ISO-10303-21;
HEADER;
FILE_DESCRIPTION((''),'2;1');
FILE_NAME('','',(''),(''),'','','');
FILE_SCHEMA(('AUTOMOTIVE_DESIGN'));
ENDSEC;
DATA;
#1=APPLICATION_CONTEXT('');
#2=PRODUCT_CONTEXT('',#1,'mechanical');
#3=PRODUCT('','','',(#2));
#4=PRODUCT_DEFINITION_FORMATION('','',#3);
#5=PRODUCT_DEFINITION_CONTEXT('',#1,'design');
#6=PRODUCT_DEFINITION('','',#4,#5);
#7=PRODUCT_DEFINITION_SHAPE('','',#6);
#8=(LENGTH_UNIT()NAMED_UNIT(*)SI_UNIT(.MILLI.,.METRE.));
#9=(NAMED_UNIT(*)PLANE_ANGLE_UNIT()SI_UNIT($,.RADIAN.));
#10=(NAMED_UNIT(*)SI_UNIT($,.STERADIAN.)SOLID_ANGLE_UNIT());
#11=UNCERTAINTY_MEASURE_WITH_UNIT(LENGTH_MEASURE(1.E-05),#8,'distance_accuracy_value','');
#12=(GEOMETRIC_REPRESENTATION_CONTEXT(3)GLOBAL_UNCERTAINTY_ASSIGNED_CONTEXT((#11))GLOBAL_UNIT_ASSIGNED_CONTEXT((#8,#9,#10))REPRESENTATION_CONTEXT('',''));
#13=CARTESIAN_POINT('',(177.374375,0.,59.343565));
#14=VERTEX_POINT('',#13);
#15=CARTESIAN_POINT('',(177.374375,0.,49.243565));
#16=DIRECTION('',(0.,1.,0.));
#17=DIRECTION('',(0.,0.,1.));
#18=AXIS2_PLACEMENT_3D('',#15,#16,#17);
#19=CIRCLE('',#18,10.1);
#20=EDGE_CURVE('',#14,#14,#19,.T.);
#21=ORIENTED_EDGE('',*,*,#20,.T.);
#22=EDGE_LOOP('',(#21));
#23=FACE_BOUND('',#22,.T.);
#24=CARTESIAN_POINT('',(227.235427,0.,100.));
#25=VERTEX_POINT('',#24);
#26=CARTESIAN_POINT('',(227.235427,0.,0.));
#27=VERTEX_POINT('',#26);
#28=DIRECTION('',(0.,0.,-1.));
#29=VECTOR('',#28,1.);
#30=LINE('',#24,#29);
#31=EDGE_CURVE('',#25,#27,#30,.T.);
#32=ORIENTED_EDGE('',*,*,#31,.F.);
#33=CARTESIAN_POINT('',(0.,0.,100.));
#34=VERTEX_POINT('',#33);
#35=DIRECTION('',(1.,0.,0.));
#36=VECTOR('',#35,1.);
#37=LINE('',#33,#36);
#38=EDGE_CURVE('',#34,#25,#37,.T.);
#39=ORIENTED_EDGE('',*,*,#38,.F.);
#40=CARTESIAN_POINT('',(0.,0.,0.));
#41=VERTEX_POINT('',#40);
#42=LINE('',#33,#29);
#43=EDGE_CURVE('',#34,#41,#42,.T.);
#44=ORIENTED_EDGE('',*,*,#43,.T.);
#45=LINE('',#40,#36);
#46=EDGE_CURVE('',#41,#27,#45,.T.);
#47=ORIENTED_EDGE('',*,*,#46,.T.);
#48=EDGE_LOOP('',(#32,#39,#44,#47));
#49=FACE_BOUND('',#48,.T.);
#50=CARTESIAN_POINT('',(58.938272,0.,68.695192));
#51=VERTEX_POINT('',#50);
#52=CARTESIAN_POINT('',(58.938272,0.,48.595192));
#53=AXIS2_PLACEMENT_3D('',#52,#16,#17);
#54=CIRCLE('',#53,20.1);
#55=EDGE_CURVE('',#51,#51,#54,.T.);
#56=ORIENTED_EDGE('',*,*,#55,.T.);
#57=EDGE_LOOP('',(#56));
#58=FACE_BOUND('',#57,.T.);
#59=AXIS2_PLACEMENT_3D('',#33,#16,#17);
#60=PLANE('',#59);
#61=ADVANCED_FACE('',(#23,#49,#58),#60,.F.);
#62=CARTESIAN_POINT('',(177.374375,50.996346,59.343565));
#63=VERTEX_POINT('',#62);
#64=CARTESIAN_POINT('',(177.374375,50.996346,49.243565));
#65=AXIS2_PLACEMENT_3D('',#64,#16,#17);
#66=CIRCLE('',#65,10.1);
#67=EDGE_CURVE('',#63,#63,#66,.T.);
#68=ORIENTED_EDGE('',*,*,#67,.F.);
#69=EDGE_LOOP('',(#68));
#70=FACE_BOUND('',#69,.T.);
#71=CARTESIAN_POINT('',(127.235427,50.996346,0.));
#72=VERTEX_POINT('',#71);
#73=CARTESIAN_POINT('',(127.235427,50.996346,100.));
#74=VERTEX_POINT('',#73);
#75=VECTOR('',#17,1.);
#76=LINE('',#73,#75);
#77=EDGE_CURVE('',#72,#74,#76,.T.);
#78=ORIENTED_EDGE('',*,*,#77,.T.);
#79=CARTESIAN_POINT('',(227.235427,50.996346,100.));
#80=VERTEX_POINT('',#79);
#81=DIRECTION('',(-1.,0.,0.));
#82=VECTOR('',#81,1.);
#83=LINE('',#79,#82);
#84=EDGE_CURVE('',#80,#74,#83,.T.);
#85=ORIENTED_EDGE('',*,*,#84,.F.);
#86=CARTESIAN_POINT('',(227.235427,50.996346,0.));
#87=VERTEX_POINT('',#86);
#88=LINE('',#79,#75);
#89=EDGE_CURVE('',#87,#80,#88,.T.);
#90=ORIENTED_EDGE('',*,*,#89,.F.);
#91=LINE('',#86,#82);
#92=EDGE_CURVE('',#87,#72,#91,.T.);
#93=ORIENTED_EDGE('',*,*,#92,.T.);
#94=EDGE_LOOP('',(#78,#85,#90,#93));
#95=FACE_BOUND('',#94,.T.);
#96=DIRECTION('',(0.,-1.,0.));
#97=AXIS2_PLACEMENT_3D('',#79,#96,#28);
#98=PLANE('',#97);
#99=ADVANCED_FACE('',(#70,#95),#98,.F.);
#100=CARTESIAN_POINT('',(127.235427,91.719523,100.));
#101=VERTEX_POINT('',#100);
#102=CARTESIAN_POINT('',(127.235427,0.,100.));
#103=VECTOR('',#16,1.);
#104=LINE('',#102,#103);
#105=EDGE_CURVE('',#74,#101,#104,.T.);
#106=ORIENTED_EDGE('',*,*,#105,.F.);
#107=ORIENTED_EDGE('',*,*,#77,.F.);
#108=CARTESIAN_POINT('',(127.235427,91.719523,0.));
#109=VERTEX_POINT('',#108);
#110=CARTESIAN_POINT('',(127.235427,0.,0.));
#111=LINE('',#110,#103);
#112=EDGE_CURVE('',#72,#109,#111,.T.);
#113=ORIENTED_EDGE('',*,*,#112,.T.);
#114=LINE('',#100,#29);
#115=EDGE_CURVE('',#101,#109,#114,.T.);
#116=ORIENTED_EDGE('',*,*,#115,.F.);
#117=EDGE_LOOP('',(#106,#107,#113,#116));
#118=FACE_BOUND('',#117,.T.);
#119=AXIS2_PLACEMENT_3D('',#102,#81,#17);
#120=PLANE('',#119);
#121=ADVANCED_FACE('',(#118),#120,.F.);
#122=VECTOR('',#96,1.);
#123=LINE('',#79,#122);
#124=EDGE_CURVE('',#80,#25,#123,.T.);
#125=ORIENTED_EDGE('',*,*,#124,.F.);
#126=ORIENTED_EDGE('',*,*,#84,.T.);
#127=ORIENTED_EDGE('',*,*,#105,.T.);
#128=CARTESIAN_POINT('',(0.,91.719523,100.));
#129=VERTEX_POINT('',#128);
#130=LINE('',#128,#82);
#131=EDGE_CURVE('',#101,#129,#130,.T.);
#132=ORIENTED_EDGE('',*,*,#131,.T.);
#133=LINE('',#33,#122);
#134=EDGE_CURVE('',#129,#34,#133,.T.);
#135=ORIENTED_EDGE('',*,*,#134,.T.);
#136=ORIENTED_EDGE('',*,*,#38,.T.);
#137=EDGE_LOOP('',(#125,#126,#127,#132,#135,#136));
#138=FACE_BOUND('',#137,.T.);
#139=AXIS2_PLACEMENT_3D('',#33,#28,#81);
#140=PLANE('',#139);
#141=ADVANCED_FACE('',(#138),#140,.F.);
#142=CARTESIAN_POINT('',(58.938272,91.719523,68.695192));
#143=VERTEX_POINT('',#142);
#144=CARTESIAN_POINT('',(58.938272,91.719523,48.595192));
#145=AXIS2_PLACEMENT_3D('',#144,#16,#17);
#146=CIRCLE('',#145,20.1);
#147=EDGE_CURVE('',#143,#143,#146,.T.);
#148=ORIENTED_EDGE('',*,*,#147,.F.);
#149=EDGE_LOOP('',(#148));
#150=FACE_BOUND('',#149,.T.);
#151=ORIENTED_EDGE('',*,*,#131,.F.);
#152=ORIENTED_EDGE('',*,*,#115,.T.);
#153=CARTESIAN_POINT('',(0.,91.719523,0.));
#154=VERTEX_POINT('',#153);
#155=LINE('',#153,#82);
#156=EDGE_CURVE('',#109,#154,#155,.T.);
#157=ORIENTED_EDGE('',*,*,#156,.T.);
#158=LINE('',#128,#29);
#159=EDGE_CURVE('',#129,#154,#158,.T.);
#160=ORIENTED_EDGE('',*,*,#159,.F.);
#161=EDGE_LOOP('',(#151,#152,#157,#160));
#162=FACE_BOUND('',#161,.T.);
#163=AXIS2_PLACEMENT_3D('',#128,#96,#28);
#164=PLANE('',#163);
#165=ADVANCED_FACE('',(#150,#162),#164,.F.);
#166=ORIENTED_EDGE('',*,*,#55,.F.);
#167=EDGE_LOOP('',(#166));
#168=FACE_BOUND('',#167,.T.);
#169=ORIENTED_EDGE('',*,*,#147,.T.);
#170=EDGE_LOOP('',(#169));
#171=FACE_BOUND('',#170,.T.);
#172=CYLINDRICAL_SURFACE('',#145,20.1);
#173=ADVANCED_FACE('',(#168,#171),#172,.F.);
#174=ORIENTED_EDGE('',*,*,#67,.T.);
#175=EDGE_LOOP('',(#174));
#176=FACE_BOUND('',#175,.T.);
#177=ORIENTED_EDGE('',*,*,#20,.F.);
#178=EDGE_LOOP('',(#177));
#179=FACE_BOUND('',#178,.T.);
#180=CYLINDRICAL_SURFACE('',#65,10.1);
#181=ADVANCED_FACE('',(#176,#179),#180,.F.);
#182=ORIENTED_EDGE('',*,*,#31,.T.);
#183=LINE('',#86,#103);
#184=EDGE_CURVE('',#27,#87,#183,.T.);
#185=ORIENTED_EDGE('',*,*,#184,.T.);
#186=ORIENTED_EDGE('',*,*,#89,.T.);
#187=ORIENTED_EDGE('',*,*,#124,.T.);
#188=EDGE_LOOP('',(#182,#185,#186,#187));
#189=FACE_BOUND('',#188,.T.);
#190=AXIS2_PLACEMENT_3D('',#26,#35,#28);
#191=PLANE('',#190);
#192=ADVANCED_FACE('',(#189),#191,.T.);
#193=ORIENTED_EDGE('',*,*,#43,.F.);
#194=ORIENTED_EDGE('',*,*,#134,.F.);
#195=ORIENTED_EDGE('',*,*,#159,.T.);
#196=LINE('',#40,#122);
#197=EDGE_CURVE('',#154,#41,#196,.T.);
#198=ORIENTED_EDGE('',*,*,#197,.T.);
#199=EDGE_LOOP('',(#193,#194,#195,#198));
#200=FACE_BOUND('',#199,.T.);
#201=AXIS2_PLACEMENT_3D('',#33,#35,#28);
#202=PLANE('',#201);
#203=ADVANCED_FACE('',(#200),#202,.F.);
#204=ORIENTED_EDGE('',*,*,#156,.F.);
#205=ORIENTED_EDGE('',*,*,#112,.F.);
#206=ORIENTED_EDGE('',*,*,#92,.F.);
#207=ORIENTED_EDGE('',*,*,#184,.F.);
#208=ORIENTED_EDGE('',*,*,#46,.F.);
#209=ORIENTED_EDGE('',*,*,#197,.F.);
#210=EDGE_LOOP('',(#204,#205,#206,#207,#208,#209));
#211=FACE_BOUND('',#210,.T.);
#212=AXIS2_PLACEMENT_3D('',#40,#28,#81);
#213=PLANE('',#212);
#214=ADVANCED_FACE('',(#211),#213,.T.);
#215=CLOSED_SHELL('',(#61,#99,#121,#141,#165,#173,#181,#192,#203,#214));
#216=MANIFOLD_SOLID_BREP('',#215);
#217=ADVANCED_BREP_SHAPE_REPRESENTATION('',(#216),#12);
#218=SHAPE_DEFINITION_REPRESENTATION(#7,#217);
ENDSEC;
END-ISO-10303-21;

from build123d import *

# Parameters (mm, degrees)
SKETCH1_W             = 127.235427394
SKETCH1_H             = 91.719523319
BOSS_EXTRUDE1_DEPTH   = 100
SKETCH2_W             = 100
SKETCH2_H             = 50.996346368
BOSS_EXTRUDE2_DEPTH   = 100
F_1_0MM_DOWEL_HOLE1_D = 20.2
F_1_0MM_DOWEL_HOLE2_D = 40.2


with BuildPart() as part:
    # Sketch1 → Boss-Extrude1 (new body)
    with BuildSketch(Plane.XY):
        with Locations((63.617713697, 45.85976166)):
            Rectangle(SKETCH1_W, SKETCH1_H)
    extrude(amount=BOSS_EXTRUDE1_DEPTH)

    # Sketch2 → Boss-Extrude2 (add)
    with BuildSketch(Plane(origin=(127.235427394, 0, 0), x_dir=(0, 0, -1), z_dir=(1, 0, 0))):
        with Locations((-50, 25.498173184)):
            Rectangle(SKETCH2_W, SKETCH2_H)
    extrude(amount=BOSS_EXTRUDE2_DEPTH)

    # Ø1.0mm Dowel Hole1 (through all)
    with Locations(Plane(origin=(0, 50.996346368, 0), x_dir=(1, 0, 0), z_dir=(0, 1, 0))):
        with Locations((177.374375047, -49.243565035)):
            Hole(F_1_0MM_DOWEL_HOLE1_D / 2)

    # Ø1.0mm Dowel Hole2 (through all)
    with Locations(Plane(origin=(0, 91.719523319, 0), x_dir=(1, 0, 0), z_dir=(0, 1, 0))):
        with Locations((58.93827193, -48.595192208)):
            Hole(F_1_0MM_DOWEL_HOLE2_D / 2)


solid = part.part
